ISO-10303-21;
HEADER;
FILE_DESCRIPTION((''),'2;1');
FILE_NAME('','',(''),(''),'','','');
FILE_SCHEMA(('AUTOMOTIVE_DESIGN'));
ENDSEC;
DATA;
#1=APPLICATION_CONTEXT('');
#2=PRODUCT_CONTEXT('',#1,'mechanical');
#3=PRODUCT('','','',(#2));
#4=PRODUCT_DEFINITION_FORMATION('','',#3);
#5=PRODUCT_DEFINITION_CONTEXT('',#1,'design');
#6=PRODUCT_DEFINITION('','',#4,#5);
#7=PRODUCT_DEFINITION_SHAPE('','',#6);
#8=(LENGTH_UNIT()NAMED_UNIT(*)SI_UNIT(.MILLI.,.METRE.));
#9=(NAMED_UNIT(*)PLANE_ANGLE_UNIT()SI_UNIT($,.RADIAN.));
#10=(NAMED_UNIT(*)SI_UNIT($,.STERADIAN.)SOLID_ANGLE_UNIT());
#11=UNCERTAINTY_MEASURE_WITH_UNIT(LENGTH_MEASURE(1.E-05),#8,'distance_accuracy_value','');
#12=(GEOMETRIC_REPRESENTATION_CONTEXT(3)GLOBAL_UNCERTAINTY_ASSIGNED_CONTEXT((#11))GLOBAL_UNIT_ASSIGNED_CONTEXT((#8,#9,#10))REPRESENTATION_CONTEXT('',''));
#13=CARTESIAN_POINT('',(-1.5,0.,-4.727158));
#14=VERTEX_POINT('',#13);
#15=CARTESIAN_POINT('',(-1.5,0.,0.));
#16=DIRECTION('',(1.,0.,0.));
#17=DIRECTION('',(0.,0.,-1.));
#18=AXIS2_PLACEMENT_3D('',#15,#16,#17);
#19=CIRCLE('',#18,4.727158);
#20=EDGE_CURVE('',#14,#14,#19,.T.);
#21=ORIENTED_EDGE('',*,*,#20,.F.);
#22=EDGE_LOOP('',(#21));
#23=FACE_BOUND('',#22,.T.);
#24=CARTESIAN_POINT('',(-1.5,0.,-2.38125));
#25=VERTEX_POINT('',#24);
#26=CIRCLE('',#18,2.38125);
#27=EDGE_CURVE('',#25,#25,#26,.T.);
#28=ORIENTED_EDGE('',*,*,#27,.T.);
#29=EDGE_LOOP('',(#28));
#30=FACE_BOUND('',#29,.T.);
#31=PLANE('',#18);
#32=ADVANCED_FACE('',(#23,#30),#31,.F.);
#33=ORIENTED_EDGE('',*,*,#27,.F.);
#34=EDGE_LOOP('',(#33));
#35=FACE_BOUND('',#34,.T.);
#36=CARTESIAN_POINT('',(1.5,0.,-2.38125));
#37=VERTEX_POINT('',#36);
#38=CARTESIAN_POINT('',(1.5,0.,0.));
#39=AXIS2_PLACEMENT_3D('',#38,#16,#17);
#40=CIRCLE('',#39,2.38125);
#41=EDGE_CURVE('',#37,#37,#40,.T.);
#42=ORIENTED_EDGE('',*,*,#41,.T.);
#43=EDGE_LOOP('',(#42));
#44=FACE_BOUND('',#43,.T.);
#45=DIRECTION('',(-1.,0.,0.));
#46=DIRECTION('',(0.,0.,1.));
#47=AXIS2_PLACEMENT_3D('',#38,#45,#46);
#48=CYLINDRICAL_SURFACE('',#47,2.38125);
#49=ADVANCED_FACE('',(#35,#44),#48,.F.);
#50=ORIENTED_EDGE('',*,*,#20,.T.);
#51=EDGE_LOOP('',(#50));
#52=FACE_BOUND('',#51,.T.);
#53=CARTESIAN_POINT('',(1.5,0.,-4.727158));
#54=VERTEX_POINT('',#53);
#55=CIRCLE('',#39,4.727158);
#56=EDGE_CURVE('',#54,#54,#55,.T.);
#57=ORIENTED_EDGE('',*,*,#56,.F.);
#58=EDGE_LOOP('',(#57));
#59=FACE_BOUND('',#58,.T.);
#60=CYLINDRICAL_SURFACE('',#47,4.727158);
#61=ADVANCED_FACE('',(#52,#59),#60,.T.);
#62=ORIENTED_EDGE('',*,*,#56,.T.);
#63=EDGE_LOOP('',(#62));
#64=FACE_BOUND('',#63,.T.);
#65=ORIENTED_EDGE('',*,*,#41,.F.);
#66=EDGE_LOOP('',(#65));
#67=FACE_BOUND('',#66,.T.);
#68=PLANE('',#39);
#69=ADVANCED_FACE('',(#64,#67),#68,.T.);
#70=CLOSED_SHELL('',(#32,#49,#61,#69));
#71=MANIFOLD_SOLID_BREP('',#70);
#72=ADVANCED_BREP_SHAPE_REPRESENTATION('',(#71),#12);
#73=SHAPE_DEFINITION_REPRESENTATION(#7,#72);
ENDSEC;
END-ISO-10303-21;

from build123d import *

# Parameters (mm, degrees)
SKETCH2_R           = 4.727157868
SKETCH2_R_2         = 2.38125
BOSS_EXTRUDE1_DEPTH = 1.5


with BuildPart() as part:
    # Sketch2 → Boss-Extrude1 (new, symmetric)
    with BuildSketch(Plane(origin=(0, 0, 0), x_dir=(0, 0, -1), z_dir=(1, 0, 0))):
        Circle(SKETCH2_R)
        Circle(SKETCH2_R_2, mode=Mode.SUBTRACT)
    extrude(amount=BOSS_EXTRUDE1_DEPTH, both=True)


solid = part.part
